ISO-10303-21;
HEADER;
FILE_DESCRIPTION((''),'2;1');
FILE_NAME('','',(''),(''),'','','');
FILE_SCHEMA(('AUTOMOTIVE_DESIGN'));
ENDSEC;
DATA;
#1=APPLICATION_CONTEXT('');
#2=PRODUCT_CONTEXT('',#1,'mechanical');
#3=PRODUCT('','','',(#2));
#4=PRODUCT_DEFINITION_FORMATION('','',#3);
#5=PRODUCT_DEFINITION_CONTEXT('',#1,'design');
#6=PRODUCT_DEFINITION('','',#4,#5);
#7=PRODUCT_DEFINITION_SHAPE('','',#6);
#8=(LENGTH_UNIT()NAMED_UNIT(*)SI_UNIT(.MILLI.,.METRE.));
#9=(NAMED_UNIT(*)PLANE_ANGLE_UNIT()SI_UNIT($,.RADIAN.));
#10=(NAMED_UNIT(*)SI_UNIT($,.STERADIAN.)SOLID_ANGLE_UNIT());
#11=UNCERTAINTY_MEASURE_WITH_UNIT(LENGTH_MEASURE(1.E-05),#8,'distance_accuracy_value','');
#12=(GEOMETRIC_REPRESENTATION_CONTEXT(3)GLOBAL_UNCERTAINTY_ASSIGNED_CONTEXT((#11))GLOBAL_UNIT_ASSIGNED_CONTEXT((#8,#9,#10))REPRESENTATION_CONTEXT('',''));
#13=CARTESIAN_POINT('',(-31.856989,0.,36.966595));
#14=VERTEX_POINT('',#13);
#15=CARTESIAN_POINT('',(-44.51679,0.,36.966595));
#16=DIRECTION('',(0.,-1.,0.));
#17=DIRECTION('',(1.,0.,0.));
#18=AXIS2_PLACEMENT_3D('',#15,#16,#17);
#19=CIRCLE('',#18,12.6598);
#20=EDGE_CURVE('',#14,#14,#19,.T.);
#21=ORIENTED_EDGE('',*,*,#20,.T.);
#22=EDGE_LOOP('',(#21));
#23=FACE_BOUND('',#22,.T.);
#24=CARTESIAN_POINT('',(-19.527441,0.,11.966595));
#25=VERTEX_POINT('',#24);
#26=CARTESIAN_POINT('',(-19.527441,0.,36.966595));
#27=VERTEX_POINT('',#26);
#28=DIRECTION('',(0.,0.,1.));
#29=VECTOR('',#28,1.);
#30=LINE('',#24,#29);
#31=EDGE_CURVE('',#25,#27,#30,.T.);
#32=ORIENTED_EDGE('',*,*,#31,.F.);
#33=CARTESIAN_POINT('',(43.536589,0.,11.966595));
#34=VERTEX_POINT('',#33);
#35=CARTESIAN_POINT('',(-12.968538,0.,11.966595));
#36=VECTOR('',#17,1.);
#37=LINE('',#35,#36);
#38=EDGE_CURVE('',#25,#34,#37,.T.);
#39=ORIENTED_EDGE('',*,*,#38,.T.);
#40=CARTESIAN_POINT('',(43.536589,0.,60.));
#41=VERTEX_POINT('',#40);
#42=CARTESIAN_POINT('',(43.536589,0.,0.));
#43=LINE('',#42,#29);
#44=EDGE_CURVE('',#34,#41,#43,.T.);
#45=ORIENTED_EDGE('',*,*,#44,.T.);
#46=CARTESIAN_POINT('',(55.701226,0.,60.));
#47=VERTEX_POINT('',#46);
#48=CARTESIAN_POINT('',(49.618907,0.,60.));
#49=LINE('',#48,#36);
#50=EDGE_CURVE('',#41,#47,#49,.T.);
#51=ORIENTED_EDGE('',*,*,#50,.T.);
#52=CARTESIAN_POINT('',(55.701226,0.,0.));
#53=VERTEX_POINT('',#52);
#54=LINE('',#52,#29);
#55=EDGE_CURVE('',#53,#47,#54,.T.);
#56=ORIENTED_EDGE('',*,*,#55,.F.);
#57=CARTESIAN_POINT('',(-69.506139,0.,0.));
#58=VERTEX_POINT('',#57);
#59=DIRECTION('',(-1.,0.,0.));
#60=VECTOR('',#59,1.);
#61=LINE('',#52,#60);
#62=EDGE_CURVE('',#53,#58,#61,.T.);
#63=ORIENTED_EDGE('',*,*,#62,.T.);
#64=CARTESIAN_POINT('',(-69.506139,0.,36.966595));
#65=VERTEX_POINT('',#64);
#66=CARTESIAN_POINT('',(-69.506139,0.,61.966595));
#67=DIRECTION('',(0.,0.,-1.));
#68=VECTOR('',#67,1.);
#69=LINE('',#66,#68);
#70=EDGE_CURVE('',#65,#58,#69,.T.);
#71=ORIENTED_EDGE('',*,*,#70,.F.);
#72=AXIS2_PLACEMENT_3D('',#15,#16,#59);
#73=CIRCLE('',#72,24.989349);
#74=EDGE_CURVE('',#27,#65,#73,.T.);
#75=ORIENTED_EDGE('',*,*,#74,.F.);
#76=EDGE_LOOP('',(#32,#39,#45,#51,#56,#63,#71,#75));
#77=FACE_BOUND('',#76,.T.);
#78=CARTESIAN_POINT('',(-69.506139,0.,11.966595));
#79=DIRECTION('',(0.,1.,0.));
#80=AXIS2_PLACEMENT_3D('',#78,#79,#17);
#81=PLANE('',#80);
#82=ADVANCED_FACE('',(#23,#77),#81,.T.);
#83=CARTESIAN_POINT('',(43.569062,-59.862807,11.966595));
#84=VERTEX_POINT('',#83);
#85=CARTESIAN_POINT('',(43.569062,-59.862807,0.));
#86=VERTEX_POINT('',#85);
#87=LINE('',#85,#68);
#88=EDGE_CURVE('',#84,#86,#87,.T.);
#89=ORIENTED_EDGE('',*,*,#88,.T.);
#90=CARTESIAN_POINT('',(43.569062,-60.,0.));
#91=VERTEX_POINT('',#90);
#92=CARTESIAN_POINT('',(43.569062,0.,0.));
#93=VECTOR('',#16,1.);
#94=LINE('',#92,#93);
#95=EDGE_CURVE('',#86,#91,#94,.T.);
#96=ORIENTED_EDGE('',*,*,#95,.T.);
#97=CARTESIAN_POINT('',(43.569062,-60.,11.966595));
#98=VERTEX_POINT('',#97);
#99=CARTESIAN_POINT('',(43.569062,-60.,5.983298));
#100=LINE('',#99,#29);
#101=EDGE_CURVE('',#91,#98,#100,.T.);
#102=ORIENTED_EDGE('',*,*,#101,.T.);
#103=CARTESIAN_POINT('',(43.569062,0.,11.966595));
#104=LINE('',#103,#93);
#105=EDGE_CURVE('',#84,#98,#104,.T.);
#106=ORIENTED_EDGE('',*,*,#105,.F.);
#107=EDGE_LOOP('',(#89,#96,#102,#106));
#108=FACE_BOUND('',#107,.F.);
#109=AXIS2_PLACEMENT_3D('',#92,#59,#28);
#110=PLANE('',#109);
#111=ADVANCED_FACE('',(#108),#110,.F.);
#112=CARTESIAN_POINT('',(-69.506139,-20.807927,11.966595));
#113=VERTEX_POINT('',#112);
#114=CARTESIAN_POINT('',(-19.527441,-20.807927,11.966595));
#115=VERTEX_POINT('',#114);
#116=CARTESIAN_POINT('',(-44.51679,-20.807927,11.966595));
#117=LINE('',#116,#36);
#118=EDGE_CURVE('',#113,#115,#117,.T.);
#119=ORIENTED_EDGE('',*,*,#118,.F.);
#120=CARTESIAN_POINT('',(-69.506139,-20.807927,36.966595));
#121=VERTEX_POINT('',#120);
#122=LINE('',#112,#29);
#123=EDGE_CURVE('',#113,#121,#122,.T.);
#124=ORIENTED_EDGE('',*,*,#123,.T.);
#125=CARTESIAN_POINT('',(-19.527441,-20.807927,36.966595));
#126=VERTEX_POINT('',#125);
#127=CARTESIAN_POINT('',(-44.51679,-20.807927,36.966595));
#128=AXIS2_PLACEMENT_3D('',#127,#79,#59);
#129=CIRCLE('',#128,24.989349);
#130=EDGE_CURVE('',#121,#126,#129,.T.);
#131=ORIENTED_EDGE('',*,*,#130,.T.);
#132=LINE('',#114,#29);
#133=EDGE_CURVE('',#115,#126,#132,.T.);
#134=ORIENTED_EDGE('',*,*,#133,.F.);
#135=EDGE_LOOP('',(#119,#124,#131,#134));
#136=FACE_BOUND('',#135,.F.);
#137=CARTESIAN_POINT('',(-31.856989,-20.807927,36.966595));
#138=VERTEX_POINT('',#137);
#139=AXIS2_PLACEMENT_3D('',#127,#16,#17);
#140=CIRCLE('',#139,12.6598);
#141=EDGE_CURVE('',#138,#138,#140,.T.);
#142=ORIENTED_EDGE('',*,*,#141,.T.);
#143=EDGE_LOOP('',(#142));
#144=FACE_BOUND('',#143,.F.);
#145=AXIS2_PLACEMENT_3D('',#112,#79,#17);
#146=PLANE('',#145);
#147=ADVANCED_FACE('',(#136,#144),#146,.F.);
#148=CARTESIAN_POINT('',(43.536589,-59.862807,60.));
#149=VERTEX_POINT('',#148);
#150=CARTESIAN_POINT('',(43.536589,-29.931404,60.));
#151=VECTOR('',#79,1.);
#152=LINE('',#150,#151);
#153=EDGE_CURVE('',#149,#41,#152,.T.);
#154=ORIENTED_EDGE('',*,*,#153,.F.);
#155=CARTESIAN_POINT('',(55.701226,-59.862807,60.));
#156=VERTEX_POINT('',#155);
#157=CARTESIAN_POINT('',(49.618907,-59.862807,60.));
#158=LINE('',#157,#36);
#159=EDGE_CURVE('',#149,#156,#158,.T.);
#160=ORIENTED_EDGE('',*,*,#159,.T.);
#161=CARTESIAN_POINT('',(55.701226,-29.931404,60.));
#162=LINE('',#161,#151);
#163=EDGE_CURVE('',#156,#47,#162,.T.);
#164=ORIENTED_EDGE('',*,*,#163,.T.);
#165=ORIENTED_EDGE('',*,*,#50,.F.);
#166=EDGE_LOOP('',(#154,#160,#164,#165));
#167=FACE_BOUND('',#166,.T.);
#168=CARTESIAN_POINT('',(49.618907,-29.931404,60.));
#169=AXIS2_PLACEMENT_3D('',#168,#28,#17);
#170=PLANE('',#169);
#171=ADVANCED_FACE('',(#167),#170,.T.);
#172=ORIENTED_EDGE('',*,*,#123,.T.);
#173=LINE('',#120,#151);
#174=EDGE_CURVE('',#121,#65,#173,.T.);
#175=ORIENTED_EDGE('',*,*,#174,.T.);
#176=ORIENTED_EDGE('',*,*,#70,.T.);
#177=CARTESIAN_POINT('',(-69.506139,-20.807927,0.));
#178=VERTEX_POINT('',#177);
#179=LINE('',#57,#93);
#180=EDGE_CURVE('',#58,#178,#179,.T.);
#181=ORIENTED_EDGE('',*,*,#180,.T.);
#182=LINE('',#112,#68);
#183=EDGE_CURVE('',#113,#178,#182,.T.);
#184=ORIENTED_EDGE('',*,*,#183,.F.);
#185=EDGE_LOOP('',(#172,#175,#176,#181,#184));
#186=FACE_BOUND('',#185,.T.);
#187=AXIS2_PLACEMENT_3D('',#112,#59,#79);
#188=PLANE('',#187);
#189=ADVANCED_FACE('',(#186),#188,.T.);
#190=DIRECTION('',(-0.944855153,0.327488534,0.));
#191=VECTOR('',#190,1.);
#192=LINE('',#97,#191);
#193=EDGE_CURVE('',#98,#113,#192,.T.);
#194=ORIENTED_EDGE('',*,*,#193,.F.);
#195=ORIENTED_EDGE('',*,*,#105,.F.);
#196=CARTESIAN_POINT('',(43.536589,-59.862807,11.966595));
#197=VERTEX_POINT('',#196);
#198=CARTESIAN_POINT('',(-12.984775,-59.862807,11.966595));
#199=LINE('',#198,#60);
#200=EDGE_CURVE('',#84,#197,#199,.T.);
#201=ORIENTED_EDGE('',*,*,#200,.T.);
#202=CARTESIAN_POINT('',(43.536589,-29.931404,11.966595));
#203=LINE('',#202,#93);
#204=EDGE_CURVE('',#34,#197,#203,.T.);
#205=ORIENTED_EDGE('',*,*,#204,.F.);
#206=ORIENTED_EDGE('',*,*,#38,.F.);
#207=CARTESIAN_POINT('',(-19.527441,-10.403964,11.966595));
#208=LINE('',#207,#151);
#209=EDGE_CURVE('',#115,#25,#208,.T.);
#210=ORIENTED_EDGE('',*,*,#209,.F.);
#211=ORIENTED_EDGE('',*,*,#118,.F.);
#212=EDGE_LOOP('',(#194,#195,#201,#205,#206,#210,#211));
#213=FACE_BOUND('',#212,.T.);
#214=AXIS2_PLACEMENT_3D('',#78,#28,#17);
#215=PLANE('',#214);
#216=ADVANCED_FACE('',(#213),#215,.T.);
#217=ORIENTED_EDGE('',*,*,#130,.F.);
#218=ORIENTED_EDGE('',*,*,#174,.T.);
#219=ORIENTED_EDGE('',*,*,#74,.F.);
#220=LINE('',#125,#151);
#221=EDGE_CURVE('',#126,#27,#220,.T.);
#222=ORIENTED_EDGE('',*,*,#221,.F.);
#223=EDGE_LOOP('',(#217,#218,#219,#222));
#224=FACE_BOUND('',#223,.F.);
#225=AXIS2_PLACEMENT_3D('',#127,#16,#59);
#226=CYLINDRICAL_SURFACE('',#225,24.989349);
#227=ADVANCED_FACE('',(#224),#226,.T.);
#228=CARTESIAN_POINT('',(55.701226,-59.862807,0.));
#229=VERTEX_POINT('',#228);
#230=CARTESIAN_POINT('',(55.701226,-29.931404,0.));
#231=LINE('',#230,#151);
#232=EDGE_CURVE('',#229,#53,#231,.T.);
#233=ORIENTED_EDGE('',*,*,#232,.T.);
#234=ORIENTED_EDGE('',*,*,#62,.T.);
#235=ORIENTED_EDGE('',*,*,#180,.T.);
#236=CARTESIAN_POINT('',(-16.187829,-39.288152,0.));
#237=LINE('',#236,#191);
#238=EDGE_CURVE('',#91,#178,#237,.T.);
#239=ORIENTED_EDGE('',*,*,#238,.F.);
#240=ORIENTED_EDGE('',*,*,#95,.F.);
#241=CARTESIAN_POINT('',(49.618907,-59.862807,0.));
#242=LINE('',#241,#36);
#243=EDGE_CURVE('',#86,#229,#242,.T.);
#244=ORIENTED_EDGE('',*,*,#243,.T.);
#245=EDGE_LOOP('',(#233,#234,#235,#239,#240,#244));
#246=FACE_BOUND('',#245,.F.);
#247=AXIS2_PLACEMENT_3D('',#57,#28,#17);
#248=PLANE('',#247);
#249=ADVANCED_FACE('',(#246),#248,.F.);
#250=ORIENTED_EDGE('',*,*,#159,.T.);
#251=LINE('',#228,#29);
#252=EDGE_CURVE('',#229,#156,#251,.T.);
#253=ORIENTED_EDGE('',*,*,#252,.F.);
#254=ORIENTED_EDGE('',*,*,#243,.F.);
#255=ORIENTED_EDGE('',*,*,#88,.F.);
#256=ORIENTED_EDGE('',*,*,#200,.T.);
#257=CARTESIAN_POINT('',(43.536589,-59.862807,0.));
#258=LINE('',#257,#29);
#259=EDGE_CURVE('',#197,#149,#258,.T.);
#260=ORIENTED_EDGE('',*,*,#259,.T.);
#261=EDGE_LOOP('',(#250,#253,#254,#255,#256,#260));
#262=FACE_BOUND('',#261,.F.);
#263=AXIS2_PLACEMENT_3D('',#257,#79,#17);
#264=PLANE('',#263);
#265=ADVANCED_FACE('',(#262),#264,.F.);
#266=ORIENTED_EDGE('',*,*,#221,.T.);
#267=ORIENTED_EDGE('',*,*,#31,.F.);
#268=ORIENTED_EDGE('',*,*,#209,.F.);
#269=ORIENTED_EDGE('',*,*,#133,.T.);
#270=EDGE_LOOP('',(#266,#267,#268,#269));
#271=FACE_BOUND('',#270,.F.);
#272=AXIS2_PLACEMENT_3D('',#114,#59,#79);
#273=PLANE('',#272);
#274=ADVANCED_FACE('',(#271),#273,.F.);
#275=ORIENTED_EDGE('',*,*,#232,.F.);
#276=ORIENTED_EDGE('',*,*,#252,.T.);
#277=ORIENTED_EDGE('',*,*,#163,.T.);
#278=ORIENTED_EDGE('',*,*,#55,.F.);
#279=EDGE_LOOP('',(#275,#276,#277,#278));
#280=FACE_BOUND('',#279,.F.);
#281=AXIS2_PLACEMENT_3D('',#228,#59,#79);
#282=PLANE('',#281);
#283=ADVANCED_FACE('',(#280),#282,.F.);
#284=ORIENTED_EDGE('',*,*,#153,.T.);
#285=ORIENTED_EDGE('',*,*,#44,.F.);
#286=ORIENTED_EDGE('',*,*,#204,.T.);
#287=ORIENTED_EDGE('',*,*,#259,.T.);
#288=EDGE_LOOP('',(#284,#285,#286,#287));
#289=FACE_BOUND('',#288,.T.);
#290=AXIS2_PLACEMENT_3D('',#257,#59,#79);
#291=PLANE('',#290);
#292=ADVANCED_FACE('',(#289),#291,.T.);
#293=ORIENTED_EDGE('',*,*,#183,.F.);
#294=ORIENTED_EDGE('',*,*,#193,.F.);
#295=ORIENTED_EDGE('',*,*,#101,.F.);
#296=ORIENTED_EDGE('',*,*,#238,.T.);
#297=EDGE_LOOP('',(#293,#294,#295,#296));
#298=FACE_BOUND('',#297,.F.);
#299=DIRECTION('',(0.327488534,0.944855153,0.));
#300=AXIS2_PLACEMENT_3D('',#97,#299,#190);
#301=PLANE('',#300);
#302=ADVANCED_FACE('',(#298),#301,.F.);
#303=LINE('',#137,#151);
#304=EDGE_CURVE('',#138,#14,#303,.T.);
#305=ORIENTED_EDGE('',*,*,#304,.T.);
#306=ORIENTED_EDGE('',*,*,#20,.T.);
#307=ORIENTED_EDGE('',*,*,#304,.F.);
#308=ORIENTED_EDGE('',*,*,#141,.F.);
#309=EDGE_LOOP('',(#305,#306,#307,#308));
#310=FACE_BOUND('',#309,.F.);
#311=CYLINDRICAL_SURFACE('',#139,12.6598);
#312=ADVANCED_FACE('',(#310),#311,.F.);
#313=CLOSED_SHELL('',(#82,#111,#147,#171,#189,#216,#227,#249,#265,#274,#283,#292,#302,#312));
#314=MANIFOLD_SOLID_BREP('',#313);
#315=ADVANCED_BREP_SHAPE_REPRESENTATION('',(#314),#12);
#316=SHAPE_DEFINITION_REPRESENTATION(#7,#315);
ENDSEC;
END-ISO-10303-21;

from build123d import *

# Parameters (mm, degrees)
F0_W      = 113.0752004683
F0_H      = 11.9665954262
F1_DEPTH  = 60
F3_DEPTH  = 12
F5_W      = 12.1646374464
F5_H      = 59.8628073931
F6_DEPTH  = 60
F4_W      = 49.9786976725
F4_H      = 20.8079274744
F7_DEPTH  = 50
F9_DEPTH  = 21
F10_R     = 12.6598002667
F11_DEPTH = 21


with BuildPart() as f1:
    # F0 (on Front) → F1 (new body)
    with BuildSketch(Plane.XZ):
        with Locations((-12.968538329, 5.9832977131)):
            Rectangle(F0_W, F0_H)
    extrude(amount=F1_DEPTH)

    # F2 (on face) → F3 (cut)
    with BuildSketch(Plane.XY.offset(11.9665954262)):
        Polygon((43.5690619051, -60), (-69.5061385632, -20.8079274744), (-69.5061385632, -60), align=None)
    extrude(amount=-F3_DEPTH, mode=Mode.SUBTRACT)

    # F5 (on Top) → F6 (join)
    with BuildSketch(Plane.XY):
        with Locations((49.6189072728, -29.9314036965)):
            Rectangle(F5_W, F5_H)
    extrude(amount=F6_DEPTH)

    # F4 (on face) → F7 (join)
    with BuildSketch(Plane.XY.offset(11.9665954262)):
        with Locations((-44.5167897269, -10.4039637372)):
            Rectangle(F4_W, F4_H)
    extrude(amount=F7_DEPTH)

    # F8 (on face) → F9 (cut)
    with BuildSketch(Plane.XZ.offset(20.8079274744)):
        with BuildLine():
            ThreePointArc((-69.5061385632, 36.9665954262), (-44.5167897269, 61.9559442624), (-19.5274408907, 36.9665954262))
            Line((-19.5274408907, 36.9665954262), (-19.5274408907, 61.9665954262))
            Line((-19.5274408907, 61.9665954262), (-69.5061385632, 61.9665954262))
            Line((-69.5061385632, 61.9665954262), (-69.5061385632, 36.9665954262))
        make_face()
    extrude(amount=-F9_DEPTH, mode=Mode.SUBTRACT)

    # F10 (on face) → F11 (cut)
    with BuildSketch(Plane.XZ.offset(20.8079274744)):
        with Locations((-44.5167897269, 36.9665954262)):
            Circle(F10_R)
    extrude(amount=-F11_DEPTH, mode=Mode.SUBTRACT)


solid = f1.part
